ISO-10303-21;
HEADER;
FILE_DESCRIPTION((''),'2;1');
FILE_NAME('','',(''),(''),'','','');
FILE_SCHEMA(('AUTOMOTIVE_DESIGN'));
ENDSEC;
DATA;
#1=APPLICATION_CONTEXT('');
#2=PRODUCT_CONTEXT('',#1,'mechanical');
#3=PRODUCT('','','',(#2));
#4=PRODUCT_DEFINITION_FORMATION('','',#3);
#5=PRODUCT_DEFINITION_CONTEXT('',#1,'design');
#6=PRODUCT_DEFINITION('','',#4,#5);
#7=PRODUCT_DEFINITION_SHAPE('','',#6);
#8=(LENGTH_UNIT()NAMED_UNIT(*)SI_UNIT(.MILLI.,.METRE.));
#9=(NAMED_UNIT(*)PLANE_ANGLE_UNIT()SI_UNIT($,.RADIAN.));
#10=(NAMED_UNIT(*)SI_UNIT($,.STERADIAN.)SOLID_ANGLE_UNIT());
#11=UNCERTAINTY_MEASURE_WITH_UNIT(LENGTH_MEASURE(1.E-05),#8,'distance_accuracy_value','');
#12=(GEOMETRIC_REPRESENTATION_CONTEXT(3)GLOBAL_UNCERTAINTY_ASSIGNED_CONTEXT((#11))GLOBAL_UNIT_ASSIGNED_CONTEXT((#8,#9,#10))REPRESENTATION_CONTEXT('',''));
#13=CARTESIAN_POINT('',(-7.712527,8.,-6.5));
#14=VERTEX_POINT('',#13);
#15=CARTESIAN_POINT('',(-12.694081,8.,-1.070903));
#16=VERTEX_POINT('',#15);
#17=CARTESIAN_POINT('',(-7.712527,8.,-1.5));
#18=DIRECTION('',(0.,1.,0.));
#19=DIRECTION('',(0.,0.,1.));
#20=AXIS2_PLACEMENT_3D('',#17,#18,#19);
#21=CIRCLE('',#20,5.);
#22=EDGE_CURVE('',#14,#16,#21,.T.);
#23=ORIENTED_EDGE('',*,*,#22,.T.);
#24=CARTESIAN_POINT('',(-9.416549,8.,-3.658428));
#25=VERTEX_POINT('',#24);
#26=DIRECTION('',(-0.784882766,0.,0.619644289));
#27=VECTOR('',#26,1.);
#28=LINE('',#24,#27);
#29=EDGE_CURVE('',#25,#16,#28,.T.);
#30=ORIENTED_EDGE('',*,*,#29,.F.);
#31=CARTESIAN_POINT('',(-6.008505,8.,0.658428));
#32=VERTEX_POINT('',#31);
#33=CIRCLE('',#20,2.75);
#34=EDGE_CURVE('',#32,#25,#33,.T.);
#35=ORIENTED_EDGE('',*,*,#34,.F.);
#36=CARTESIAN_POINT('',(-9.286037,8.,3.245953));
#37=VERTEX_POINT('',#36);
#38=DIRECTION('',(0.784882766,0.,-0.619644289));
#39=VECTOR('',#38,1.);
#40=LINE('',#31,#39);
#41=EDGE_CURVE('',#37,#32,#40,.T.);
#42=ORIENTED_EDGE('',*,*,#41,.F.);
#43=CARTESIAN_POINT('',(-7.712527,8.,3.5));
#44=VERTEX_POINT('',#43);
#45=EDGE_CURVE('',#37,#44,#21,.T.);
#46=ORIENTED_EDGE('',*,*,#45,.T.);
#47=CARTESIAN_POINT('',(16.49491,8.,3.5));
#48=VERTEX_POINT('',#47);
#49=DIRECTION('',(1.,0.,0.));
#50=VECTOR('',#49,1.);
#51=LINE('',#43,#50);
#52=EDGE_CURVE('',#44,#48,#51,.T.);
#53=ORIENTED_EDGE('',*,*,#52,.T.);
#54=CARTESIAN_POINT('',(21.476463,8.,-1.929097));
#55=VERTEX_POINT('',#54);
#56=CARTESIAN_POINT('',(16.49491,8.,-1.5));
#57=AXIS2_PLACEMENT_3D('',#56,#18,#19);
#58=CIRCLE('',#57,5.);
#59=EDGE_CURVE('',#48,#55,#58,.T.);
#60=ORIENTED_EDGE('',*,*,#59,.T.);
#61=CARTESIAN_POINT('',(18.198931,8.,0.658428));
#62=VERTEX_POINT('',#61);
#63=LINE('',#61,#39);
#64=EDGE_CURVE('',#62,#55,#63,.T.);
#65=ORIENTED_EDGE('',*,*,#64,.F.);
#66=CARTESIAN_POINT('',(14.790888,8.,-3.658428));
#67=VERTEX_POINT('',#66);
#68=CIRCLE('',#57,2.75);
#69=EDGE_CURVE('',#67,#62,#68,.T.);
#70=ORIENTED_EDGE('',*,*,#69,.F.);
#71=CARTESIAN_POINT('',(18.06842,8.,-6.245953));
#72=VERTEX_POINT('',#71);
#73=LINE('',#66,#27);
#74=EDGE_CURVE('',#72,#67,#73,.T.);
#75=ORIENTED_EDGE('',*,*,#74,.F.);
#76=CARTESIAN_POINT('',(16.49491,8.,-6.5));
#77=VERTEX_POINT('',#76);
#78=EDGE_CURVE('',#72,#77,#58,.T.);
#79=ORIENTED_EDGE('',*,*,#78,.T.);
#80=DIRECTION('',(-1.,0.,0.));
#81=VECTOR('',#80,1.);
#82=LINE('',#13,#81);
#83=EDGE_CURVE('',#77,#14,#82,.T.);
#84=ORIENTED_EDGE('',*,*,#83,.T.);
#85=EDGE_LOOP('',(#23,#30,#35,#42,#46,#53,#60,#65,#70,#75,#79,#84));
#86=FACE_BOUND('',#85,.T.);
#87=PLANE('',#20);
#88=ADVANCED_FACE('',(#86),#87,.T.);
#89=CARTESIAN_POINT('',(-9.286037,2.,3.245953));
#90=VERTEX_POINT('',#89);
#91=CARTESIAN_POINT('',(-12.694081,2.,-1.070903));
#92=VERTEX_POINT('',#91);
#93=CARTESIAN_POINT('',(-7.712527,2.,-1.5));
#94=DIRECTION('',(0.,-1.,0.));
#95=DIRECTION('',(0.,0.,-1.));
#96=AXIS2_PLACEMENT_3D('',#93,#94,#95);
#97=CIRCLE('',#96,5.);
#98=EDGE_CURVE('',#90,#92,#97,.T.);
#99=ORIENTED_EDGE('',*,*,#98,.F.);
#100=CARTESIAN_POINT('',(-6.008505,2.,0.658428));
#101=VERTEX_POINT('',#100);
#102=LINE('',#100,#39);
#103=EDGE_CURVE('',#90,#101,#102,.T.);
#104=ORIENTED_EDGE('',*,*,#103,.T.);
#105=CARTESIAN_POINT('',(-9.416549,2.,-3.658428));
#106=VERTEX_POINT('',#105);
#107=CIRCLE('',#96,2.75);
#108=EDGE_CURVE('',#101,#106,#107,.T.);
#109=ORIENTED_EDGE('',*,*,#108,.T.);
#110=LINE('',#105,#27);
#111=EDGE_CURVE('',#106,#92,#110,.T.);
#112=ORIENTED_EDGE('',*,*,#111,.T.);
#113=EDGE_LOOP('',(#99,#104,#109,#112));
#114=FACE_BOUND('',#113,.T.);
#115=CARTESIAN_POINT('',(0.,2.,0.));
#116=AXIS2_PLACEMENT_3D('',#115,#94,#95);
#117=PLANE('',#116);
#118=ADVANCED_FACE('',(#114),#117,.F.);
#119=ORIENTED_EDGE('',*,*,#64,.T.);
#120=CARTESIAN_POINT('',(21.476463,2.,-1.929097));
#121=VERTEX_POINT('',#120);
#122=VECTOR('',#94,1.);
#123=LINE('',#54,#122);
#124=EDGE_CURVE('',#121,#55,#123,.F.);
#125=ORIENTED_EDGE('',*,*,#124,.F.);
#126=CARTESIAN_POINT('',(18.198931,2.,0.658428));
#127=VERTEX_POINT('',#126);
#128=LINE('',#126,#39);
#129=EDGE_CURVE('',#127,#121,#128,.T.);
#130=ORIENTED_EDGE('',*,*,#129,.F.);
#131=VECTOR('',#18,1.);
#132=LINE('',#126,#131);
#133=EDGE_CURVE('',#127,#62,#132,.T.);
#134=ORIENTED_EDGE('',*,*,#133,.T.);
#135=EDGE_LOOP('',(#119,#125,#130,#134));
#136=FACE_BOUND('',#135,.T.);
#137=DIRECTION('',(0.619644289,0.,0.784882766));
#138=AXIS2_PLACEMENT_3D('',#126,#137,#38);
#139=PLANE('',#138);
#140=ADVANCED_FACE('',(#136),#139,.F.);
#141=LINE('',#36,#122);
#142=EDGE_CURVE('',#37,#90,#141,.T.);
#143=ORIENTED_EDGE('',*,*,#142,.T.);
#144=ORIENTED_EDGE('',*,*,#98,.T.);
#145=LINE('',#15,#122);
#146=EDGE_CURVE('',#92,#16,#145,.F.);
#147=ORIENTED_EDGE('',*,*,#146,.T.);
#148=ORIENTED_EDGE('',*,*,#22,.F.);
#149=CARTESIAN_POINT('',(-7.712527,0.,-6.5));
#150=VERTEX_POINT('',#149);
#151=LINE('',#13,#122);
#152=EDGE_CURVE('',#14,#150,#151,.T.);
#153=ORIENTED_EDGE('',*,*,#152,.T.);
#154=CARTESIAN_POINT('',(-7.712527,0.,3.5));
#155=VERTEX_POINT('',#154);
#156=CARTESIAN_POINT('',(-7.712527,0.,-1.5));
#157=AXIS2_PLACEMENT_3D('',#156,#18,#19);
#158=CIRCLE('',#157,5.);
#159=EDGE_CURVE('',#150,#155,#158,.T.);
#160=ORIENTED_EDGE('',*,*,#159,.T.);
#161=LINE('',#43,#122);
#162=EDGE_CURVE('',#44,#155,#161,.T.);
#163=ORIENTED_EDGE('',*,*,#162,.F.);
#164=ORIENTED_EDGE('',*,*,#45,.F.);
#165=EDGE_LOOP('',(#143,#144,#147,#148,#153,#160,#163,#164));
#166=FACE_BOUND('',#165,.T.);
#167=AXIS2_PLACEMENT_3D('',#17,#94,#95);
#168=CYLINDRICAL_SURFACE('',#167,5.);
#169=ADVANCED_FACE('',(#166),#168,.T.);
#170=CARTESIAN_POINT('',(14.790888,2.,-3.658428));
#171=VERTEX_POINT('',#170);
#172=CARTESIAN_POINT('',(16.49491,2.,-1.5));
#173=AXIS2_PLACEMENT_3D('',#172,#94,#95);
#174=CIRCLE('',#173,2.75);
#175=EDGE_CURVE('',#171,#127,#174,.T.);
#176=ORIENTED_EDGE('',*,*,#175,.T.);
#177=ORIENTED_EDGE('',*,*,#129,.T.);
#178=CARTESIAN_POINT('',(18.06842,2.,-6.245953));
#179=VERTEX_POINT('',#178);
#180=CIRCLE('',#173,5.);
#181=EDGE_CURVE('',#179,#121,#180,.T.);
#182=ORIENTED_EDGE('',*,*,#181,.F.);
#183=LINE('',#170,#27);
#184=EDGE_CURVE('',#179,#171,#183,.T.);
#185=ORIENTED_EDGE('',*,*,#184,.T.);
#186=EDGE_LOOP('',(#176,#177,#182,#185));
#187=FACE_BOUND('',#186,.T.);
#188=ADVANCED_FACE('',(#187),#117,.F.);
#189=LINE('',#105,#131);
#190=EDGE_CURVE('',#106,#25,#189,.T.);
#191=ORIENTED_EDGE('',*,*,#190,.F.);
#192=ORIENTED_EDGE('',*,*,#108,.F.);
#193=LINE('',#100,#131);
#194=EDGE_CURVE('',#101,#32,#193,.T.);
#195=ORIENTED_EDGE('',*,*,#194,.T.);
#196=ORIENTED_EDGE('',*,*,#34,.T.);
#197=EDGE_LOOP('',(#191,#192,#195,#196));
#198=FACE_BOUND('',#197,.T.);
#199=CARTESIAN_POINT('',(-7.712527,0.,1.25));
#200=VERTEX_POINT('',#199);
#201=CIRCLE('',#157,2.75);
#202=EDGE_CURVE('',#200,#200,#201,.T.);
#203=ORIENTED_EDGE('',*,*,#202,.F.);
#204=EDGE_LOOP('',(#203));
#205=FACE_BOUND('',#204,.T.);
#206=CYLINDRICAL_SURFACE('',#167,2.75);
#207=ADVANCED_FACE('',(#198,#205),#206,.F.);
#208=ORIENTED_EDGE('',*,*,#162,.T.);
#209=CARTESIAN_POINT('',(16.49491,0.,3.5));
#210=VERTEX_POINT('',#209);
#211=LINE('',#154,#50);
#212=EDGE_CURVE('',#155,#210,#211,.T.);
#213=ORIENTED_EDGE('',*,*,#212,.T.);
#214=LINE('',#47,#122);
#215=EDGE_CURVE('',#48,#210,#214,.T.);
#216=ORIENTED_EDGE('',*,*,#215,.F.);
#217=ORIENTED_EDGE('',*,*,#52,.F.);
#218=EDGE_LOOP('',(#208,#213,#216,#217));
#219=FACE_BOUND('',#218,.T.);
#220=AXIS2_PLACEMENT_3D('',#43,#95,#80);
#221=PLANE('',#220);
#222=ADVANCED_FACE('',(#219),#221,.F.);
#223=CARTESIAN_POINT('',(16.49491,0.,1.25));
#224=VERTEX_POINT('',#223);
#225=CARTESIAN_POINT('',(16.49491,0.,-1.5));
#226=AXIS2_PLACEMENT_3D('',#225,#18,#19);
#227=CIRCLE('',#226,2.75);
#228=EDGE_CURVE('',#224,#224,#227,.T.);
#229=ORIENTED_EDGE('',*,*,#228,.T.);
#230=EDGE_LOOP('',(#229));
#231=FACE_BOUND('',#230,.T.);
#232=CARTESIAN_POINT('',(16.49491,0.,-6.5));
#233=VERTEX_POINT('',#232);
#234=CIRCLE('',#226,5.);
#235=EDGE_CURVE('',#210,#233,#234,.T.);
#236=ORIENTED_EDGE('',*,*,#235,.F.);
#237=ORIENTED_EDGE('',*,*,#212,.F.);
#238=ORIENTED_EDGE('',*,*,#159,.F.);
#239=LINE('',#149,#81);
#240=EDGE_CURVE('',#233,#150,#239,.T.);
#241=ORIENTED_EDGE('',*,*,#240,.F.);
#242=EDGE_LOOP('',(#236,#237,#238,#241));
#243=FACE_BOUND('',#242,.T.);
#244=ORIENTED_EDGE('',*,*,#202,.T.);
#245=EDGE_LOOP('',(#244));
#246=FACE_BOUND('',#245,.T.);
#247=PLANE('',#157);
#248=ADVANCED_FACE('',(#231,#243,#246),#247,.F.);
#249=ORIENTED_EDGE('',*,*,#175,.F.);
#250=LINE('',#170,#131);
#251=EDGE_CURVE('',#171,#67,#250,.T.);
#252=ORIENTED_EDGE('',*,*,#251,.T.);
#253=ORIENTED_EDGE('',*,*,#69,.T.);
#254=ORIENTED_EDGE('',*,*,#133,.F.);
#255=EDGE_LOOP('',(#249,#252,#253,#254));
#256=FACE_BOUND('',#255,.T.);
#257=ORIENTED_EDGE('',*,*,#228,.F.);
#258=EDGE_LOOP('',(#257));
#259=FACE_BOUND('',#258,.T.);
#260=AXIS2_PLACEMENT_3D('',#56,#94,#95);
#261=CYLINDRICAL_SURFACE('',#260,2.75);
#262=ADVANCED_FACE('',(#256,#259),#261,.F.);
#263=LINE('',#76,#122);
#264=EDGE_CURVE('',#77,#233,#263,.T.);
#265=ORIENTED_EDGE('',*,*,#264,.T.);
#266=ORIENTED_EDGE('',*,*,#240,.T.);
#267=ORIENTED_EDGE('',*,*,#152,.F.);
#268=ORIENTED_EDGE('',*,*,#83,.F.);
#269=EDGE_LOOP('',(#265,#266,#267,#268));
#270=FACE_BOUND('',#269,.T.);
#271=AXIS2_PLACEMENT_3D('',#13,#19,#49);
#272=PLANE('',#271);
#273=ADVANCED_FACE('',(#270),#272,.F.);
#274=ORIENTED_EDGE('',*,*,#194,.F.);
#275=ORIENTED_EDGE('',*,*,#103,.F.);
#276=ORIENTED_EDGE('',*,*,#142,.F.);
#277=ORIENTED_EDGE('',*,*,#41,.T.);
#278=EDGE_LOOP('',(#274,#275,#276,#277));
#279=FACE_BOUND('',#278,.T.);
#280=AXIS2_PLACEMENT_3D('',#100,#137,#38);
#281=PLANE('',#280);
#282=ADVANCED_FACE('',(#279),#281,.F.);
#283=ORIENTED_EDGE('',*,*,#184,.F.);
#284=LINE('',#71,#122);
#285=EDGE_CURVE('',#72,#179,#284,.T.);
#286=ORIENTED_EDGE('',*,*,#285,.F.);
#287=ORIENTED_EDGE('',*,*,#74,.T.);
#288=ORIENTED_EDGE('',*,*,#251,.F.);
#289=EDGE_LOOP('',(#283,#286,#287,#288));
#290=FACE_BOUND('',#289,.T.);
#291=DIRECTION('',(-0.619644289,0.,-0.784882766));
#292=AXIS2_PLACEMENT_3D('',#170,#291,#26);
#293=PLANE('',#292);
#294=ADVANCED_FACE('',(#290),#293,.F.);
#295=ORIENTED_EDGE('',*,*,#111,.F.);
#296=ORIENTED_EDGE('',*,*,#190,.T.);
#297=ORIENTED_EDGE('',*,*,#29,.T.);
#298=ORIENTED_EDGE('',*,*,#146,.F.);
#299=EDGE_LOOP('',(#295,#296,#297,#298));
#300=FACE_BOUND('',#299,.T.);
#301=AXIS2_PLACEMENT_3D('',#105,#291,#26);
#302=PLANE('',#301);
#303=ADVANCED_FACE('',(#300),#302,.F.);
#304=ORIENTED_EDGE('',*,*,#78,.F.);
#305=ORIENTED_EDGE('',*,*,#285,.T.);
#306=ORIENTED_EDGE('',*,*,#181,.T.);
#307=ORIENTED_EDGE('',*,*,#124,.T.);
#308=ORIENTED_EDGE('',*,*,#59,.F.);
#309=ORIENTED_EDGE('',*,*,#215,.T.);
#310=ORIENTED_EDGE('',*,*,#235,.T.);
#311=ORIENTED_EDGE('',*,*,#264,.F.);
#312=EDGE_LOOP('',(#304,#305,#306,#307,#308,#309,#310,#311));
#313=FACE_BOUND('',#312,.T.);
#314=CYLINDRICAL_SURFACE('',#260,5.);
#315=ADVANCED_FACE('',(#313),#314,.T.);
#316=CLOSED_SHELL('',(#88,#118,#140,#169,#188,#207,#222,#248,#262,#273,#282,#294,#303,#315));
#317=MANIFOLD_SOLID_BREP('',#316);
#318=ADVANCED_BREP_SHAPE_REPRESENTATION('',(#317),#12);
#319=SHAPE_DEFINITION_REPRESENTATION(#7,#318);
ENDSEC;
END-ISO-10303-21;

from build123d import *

# Parameters (mm, degrees)
SKETCH1_R           = 2.75
BOSS_EXTRUDE1_DEPTH = 8
CUT_EXTRUDE1_DEPTH  = 6


with BuildPart() as part:
    # Sketch1 → Boss-Extrude1 (new body)
    with BuildSketch(Plane(origin=(0, 0, 0), x_dir=(1, 0, 0), z_dir=(0, 1, 0))):
        with BuildLine():
            Line((-7.712527276, 6.5), (16.494909594, 6.5))
            ThreePointArc((16.494909594, 6.5), (21.494909594, 1.5), (16.494909594, -3.5))
            Line((16.494909594, -3.5), (-7.712527276, -3.5))
            ThreePointArc((-7.712527276, -3.5), (-12.712527276, 1.5), (-7.712527276, 6.5))
        make_face()
        with Locations(Location((-7.712527276, 1.5, 0), (0, 0, 270))):
            Circle(SKETCH1_R, mode=Mode.SUBTRACT)
        with Locations(Location((16.494909594, 1.5, 0), (0, 0, 270))):
            Circle(SKETCH1_R, mode=Mode.SUBTRACT)
    extrude(amount=BOSS_EXTRUDE1_DEPTH)

    # Sketch2 → Cut-Extrude1 (cut)
    with BuildSketch(Plane(origin=(0, 8, 0), x_dir=(1, 0, 0), z_dir=(0, 1, 0))):
        Polygon((14.7908878, 3.658427605), (18.198931387, -0.658427605), (28.129781504, 7.181717223), (24.721737917, 11.498572433), align=None)
        Polygon((-6.008505483, -0.658427605), (-9.41654907, 3.658427605), (-19.347399186, -4.181717223), (-15.939355599, -8.498572433), align=None)
    extrude(amount=-CUT_EXTRUDE1_DEPTH, mode=Mode.SUBTRACT)


solid = part.part
